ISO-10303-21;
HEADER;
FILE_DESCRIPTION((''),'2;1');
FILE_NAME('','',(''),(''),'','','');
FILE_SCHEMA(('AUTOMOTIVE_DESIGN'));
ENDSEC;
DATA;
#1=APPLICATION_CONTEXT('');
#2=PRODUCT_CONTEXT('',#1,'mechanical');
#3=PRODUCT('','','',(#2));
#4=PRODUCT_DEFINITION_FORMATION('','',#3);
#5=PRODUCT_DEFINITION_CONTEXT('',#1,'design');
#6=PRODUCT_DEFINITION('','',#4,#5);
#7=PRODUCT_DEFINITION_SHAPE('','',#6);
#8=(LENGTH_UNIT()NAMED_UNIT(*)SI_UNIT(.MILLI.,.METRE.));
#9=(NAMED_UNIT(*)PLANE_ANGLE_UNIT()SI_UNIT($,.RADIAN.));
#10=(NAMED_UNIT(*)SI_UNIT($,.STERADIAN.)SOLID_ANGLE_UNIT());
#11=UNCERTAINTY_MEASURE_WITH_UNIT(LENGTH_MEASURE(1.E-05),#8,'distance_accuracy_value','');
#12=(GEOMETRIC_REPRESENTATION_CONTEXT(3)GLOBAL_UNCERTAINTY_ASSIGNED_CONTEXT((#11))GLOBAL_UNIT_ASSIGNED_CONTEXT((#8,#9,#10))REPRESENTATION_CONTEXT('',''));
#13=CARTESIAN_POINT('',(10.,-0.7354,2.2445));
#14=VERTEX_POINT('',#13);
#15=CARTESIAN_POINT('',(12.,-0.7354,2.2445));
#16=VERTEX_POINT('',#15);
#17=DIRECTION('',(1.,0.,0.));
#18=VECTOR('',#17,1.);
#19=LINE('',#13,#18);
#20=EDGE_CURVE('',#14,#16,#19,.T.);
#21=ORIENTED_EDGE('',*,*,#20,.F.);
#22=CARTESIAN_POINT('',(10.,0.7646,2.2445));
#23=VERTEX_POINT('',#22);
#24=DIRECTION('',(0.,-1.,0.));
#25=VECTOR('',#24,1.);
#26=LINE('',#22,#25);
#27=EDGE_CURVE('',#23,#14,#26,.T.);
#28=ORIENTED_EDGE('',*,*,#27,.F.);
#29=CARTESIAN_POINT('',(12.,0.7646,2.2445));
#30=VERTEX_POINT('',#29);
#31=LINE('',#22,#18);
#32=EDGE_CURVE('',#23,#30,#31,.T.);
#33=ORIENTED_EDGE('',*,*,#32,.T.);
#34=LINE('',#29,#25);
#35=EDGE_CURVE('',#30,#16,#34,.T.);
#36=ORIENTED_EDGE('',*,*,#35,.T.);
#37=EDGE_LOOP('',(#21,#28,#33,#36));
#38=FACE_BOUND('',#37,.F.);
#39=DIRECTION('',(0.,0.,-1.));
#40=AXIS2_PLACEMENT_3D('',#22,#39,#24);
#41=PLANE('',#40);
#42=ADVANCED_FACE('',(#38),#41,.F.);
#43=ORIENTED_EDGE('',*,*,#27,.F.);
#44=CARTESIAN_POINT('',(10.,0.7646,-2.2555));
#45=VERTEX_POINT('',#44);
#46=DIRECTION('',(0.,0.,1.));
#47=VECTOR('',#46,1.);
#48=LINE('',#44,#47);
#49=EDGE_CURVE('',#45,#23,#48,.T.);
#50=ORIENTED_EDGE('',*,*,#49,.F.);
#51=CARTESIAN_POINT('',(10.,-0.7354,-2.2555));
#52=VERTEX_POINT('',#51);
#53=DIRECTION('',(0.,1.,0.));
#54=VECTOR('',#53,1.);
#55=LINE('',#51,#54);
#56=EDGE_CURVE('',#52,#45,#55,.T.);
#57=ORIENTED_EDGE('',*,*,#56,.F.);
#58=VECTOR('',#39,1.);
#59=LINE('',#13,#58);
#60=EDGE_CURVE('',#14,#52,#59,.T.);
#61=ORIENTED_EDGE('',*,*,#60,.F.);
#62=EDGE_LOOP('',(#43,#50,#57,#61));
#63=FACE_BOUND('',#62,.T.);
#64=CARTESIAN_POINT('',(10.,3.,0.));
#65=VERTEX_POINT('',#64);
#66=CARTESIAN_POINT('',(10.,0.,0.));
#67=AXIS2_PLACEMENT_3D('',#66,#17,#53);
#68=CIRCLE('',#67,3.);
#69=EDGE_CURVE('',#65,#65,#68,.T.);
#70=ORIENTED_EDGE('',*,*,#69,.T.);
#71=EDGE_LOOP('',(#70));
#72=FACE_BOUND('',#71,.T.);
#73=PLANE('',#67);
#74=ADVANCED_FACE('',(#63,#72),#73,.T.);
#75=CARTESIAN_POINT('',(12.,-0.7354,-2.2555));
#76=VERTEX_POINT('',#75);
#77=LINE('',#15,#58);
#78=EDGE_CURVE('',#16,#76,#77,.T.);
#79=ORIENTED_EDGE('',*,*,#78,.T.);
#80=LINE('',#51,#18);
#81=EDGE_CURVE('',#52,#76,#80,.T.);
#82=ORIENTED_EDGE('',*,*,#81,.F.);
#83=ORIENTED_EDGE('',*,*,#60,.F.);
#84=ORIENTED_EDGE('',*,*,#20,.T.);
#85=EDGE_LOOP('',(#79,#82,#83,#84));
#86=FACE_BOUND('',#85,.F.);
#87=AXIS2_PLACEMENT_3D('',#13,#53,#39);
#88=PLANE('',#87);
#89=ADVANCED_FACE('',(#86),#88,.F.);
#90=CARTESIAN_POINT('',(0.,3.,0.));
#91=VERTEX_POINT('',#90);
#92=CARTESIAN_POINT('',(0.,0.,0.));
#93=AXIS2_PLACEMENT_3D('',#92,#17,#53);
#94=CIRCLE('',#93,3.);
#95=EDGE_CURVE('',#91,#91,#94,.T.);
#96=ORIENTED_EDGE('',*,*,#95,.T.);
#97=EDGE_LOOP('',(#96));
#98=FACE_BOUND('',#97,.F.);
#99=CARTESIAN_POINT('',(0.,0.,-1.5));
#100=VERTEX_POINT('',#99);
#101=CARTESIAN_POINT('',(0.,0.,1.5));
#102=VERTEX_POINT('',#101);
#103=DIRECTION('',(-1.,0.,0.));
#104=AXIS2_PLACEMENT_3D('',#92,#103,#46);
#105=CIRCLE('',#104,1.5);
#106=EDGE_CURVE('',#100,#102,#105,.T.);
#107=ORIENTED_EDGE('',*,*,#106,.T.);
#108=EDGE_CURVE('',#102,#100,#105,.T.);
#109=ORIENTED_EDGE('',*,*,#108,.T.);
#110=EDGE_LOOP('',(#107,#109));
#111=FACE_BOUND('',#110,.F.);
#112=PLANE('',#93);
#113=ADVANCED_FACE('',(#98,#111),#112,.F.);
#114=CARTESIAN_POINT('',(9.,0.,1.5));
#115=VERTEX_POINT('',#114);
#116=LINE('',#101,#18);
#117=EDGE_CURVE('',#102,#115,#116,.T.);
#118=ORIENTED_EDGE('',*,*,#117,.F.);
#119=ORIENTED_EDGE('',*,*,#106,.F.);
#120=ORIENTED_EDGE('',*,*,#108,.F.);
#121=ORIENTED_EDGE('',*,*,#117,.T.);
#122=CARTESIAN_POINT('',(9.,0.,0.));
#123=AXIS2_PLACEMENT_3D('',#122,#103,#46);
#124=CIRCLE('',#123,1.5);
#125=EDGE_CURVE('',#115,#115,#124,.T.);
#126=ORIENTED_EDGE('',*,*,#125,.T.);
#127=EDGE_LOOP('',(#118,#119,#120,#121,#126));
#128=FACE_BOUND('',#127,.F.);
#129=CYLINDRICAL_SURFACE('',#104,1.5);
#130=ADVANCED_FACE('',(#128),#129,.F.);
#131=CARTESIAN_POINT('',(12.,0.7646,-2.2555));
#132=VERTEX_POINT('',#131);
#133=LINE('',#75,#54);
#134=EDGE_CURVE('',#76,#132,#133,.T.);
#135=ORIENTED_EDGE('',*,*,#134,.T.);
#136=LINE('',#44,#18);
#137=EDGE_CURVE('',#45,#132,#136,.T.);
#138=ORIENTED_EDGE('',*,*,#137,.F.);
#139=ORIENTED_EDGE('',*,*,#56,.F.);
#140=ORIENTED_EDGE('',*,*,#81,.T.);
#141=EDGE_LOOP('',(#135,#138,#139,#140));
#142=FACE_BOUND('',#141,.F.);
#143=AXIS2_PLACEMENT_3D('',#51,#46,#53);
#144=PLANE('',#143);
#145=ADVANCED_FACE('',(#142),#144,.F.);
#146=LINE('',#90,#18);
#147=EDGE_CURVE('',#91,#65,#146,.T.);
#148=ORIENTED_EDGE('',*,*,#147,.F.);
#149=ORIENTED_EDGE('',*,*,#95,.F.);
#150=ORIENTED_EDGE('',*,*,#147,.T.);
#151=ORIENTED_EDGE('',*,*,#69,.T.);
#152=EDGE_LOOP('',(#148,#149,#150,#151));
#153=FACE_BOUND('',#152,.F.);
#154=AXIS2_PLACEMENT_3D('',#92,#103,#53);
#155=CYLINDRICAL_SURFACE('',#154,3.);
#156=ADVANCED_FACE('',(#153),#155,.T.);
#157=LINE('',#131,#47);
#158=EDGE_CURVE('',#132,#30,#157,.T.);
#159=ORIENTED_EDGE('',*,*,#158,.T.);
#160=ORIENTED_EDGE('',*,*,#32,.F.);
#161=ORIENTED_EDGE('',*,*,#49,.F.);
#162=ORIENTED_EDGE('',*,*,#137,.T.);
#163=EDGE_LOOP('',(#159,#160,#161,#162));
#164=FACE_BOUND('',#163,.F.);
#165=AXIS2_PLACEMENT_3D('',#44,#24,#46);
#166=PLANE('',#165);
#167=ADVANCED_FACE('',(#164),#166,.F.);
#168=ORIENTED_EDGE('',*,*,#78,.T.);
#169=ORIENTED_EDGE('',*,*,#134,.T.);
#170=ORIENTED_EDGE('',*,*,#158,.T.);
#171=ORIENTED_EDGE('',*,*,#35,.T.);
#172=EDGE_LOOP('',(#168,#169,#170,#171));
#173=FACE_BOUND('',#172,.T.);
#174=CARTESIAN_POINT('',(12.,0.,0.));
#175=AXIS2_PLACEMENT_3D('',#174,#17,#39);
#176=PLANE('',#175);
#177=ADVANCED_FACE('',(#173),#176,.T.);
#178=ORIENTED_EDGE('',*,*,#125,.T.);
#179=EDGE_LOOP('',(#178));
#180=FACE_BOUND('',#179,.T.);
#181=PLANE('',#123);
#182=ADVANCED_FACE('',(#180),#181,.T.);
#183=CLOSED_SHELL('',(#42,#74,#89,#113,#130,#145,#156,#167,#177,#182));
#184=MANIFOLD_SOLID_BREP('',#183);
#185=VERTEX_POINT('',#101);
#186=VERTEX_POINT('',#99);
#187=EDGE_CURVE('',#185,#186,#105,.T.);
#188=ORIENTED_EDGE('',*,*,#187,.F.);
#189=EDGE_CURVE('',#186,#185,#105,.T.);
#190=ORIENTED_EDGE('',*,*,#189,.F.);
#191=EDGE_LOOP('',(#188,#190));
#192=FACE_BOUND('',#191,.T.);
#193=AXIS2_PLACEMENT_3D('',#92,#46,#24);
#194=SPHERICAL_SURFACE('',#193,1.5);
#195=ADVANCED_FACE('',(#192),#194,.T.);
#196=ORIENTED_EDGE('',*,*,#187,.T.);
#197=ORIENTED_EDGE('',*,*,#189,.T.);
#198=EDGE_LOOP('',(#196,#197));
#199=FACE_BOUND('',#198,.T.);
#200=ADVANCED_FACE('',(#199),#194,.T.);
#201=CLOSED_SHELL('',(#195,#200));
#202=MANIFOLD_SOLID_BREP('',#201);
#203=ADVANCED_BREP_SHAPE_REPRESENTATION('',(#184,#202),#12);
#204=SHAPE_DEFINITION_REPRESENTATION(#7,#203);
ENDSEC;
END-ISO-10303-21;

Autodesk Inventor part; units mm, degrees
ref_plane "YZ Plane" through (0, 0, 0) normal (1, 0, 0) x (0, 1, 0)
ref_plane "XZ Plane" through (0, 0, 0) normal (0, 1, 0) x (-1, 0, 0)
ref_plane "XY Plane" through (0, 0, 0) normal (0, 0, 1) x (1, 0, 0)
sketch "스케치1" plane through (0, 0, 0) normal (1, 0, 0) x (0, 1, 0)
  circle A0 centre (0, 0) radius 3
  dimension "d0" = 6
extrude "돌출1" add sketch "스케치1" along normal blind 10
sketch "스케치2" plane through (0, 0, 0) normal (-1, 0, 0) x (0, 0, 1)
  circle A0 centre (0, 0) radius 1.5
  dimension "d3" = 3
extrude "돌출2" cut sketch "스케치2" against normal blind 9
sketch "스케치4" plane through (0, 0, 0) normal (-1, 0, 0) x (0, 0, 1)
  arc A0 (-1.5, 0) -> (1.5, 0) centre (0, 0) ccw
  line L0 (-1.5, 0) -> (1.5, 0)
  line L1 (-2.0992, 0) -> (3.7582, 0)
revolve "회전1" add sketch "스케치4" angle 360 about axis through (0, 0, -2.0992) along (0, 0, 1)
sketch "스케치5" plane through (10, 0, 0) normal (1, 0, 0) x (0, 0, -1)
  line L0 (2.2555, 0.7646) -> (-2.2445, 0.7646)
  line L1 (-2.2445, 0.7646) -> (-2.2445, -0.7354)
  line L2 (-2.2445, -0.7354) -> (2.2555, -0.7354)
  line L3 (2.2555, -0.7354) -> (2.2555, 0.7646)
  point P0 (0, 0)
  dimension "d8" = 4.5
  dimension "d9" = 1.5
extrude "돌출3" add sketch "스케치5" along normal blind 2
properties part number "레이져"
